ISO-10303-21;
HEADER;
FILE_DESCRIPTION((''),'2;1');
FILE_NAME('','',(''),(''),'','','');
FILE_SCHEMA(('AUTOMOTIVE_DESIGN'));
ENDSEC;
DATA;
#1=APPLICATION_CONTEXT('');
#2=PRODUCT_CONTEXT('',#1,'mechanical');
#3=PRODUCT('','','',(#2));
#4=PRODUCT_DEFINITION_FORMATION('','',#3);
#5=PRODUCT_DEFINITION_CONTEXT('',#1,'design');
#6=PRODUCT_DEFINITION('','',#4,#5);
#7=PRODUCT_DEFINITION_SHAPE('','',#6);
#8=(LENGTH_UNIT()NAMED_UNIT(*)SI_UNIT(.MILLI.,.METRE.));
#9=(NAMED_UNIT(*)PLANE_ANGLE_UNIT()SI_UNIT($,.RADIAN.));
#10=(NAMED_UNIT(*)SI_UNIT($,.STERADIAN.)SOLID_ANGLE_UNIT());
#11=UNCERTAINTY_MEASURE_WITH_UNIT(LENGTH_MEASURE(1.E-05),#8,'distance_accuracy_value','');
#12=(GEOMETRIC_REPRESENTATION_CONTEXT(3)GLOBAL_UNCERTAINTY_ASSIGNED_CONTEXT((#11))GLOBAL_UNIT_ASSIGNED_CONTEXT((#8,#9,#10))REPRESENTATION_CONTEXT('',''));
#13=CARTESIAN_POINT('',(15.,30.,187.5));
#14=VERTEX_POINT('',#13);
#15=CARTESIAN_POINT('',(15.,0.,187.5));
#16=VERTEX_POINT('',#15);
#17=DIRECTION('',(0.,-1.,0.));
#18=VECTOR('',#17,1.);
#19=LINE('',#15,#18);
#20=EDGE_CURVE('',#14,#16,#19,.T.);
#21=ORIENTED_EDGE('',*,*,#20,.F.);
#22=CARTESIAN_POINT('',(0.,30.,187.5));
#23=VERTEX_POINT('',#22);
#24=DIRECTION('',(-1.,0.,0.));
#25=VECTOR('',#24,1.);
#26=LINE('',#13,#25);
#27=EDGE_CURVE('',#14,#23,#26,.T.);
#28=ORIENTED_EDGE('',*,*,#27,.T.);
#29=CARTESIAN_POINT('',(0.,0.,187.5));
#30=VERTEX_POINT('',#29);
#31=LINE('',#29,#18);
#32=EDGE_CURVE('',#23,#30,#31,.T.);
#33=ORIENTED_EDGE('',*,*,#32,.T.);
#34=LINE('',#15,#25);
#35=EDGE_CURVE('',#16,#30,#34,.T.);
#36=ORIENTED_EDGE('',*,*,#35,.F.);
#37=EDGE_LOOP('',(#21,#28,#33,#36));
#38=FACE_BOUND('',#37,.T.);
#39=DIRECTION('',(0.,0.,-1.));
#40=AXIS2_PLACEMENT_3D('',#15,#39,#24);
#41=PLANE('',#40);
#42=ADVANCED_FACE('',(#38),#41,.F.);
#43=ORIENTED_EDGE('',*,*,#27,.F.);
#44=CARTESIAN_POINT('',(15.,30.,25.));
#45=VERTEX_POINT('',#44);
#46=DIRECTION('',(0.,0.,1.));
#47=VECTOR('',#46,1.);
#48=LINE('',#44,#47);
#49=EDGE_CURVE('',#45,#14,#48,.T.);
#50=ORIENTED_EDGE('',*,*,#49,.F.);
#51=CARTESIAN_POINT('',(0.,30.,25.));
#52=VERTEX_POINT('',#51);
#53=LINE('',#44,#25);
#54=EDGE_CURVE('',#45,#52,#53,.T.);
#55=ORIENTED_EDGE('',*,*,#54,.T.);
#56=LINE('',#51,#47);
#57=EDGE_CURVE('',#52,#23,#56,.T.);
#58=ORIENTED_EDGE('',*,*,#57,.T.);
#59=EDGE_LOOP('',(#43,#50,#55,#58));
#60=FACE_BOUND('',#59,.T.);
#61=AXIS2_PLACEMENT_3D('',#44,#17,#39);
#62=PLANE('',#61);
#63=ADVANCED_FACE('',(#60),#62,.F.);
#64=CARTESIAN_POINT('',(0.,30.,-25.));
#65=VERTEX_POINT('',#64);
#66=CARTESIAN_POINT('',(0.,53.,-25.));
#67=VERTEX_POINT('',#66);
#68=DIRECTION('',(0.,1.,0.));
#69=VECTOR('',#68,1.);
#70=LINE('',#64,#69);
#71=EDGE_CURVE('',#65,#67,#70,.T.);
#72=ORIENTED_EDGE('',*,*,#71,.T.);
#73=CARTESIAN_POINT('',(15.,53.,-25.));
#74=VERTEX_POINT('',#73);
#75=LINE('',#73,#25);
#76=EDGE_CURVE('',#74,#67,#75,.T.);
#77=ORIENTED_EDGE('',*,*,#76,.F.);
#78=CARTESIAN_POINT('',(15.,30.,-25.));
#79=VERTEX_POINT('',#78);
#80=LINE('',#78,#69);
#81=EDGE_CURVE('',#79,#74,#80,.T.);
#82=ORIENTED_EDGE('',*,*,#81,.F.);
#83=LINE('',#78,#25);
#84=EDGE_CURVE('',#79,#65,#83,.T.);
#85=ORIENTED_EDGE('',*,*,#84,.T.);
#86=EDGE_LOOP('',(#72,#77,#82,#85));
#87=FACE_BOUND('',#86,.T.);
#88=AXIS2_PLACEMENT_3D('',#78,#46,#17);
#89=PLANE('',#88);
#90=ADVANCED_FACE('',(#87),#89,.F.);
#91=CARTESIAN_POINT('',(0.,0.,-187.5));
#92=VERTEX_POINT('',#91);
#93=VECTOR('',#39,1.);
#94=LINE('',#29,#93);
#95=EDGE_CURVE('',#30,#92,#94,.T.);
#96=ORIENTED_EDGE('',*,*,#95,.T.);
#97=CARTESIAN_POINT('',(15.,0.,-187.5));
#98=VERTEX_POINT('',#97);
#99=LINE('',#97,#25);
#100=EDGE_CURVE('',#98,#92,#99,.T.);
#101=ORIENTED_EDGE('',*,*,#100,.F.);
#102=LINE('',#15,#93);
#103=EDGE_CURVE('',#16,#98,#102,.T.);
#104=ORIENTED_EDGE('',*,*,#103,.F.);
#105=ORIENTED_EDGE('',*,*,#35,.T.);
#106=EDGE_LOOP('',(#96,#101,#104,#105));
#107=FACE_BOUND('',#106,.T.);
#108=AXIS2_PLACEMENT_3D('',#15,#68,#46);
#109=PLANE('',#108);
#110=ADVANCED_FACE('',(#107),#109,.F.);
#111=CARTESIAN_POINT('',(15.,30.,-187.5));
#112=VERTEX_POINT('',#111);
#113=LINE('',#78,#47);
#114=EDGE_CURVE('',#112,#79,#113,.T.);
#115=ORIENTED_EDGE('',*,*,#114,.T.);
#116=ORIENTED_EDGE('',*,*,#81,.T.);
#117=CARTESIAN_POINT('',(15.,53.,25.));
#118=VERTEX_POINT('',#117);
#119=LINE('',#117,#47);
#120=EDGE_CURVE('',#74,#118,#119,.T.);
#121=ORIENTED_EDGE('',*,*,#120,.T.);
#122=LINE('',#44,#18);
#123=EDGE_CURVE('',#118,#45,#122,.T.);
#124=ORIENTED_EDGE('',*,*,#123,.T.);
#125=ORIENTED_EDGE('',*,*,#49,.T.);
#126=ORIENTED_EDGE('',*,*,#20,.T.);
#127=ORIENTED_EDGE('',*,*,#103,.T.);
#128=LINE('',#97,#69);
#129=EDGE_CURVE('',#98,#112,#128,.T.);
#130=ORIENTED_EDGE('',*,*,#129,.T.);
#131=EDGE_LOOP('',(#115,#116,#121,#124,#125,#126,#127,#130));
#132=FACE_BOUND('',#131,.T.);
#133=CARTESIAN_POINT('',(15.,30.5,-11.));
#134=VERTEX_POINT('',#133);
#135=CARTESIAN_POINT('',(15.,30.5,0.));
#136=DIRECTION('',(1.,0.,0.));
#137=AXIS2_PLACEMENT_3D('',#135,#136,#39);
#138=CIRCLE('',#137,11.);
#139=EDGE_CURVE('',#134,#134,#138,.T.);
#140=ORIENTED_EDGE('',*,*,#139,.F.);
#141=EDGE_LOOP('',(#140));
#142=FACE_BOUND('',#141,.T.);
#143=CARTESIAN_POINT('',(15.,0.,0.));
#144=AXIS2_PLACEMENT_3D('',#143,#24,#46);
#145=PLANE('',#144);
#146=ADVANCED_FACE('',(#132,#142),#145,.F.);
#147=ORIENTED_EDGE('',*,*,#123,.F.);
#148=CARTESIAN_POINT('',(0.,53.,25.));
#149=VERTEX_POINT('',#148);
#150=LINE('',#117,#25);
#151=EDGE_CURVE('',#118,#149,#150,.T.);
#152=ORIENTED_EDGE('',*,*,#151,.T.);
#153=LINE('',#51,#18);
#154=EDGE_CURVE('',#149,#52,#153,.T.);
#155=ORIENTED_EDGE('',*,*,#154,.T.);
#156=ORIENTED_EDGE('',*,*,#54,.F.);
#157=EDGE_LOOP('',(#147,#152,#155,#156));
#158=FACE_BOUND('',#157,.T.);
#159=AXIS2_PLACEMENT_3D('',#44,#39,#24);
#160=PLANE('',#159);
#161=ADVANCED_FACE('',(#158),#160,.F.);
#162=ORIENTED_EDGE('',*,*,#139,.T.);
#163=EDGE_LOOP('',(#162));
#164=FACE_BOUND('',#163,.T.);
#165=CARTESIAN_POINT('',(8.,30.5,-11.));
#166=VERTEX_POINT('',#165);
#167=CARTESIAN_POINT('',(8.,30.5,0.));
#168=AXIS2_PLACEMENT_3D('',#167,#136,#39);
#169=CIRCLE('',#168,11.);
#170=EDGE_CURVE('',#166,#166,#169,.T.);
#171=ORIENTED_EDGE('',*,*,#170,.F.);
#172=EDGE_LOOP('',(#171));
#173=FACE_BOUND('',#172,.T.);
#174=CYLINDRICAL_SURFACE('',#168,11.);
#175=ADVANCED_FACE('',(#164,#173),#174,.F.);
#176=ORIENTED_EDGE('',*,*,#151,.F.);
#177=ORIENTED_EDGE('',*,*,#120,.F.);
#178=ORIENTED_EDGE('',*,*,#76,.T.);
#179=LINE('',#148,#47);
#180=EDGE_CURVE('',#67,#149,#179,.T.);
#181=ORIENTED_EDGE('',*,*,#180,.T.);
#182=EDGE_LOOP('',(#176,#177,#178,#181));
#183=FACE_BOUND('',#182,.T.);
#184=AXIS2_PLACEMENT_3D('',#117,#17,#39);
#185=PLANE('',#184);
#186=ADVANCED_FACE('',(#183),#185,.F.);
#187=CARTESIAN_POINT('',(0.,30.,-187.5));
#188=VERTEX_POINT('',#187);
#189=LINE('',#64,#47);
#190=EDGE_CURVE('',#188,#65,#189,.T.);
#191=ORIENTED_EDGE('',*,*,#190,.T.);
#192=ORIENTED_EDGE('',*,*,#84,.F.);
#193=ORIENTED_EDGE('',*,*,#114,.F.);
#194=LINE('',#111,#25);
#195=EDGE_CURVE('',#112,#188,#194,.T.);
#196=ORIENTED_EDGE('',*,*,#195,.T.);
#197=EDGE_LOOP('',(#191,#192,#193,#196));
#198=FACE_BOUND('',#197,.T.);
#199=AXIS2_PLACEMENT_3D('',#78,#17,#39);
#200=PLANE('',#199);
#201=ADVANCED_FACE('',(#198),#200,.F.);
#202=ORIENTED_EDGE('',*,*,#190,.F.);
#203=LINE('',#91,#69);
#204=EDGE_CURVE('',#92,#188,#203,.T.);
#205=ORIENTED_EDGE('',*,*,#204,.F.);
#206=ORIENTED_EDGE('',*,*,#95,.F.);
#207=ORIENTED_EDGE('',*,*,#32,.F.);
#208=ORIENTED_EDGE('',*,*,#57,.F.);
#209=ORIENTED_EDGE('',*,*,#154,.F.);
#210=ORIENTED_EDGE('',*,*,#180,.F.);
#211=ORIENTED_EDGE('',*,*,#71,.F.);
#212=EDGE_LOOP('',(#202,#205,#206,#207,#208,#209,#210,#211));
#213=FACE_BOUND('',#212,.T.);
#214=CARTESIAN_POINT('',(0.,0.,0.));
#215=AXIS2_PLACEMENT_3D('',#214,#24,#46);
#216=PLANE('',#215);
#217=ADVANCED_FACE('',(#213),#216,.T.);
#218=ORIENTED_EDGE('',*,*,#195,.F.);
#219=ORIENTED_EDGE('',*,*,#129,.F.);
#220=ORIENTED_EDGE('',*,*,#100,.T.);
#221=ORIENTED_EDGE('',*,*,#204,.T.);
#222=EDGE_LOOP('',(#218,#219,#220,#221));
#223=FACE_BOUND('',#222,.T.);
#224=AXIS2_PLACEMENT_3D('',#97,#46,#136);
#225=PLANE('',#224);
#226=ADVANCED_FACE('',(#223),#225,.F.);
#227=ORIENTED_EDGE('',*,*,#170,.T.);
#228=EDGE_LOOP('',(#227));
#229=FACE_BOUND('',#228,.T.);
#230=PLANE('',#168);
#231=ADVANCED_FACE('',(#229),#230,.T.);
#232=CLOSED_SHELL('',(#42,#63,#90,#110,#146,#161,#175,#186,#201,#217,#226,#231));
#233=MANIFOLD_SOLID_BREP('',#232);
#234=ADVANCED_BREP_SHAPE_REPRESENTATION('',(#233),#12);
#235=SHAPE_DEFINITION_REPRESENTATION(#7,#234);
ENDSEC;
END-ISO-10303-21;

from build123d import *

# Parameters (mm, degrees)
SALIENTE_EXTRUIR1_DEPTH = 15
CROQUIS2_R              = 11
CORTAR_EXTRUIR1_DEPTH   = 7


with BuildPart() as part:
    # Croquis1 → Saliente-Extruir1 (new body)
    with BuildSketch(Plane(origin=(0, 0, 0), x_dir=(0, 0, -1), z_dir=(1, 0, 0))):
        Polygon((-187.5, 0), (187.5, 0), (187.5, 30), (25, 30), (25, 53), (-25, 53), (-25, 30), (-187.5, 30), align=None)
    extrude(amount=SALIENTE_EXTRUIR1_DEPTH)

    # Croquis2 → Cortar-Extruir1 (cut)
    with BuildSketch(Plane(origin=(15, 0, 0), x_dir=(0, 0, -1), z_dir=(1, 0, 0))):
        with Locations((0, 30.5)):
            Circle(CROQUIS2_R)
    extrude(amount=-CORTAR_EXTRUIR1_DEPTH, mode=Mode.SUBTRACT)


solid = part.part
